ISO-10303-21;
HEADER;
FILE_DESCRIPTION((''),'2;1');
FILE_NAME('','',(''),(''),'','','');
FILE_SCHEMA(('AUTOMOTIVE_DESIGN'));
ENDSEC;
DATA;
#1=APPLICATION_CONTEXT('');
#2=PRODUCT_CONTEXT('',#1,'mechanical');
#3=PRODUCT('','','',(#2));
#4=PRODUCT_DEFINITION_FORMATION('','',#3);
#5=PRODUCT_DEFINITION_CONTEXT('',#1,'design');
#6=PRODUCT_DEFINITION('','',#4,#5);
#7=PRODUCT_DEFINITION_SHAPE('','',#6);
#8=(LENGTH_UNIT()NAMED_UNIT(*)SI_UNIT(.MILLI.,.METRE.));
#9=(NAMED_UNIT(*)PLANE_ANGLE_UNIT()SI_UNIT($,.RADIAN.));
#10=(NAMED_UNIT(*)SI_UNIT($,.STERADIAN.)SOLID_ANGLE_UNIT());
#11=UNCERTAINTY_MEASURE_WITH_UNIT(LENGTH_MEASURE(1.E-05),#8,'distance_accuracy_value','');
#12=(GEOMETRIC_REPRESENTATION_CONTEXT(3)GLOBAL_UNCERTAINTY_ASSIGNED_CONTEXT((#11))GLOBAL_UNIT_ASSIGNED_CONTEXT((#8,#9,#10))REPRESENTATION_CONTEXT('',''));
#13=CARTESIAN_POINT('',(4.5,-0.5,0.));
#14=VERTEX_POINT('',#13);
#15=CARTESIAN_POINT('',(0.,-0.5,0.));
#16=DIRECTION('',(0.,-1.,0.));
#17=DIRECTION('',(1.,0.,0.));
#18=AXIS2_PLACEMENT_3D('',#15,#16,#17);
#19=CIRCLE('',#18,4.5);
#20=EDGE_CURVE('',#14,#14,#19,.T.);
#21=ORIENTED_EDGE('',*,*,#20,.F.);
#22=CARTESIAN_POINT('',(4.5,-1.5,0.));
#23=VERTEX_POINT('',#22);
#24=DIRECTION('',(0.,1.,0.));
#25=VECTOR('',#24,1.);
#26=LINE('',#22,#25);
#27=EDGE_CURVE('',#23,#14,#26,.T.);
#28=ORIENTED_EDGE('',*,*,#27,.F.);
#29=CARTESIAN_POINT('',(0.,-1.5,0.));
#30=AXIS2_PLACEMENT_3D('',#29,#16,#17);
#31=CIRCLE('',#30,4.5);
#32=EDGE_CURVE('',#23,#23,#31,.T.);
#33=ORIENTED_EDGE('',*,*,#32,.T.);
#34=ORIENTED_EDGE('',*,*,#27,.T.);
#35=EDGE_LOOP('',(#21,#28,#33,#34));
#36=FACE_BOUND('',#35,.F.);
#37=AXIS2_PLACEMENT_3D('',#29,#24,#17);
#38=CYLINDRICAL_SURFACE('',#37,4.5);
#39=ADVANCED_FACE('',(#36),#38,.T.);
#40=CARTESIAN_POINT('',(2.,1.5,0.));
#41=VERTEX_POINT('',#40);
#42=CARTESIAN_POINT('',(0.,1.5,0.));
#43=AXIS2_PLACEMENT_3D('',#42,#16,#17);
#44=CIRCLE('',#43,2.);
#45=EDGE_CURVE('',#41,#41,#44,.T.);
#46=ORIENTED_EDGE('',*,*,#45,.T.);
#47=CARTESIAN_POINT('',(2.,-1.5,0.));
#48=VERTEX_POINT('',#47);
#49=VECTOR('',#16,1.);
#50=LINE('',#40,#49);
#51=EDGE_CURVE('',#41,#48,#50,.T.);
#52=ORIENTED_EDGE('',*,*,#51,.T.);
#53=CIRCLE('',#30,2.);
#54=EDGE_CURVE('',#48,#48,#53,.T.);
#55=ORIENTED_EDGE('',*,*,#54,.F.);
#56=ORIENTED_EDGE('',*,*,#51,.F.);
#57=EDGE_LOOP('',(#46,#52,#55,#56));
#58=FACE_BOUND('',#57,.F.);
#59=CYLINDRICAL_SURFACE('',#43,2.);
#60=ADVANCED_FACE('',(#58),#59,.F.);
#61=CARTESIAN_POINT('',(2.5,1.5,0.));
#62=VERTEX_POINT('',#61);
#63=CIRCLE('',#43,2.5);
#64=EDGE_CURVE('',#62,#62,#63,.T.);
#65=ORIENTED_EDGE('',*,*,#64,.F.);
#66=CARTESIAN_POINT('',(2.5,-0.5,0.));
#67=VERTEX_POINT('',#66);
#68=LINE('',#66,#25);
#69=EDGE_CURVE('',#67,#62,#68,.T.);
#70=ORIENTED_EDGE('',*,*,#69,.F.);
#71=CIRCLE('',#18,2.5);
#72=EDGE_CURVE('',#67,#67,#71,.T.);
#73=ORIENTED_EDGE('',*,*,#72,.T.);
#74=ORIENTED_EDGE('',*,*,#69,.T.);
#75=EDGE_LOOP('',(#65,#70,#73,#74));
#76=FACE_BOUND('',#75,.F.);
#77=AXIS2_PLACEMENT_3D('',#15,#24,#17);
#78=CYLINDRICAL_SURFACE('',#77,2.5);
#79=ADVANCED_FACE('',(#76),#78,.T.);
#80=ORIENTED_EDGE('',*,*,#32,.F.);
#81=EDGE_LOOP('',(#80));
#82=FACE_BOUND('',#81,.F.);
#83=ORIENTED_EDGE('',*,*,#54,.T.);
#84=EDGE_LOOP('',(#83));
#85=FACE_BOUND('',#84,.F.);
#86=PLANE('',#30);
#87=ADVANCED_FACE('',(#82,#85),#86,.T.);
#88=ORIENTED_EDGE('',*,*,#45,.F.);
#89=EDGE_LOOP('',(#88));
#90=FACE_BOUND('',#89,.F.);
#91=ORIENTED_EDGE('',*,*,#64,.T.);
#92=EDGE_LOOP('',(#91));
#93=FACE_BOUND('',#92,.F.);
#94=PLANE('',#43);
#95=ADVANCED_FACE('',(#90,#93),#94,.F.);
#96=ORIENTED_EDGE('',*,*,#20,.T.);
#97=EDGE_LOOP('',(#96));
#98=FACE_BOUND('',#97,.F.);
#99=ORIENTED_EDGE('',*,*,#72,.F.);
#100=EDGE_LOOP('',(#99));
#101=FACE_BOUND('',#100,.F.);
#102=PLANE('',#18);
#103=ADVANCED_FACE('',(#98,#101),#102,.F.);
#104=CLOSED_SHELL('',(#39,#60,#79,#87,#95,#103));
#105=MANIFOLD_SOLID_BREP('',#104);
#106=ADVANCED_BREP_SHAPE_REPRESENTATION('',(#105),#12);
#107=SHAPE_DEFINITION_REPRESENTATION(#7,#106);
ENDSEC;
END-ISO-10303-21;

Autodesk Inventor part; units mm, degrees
ref_plane "YZ Plane" through (0, 0, 0) normal (1, 0, 0) x (0, 1, 0)
ref_plane "XZ Plane" through (0, 0, 0) normal (0, 1, 0) x (-1, 0, 0)
ref_plane "XY Plane" through (0, 0, 0) normal (0, 0, 1) x (1, 0, 0)
sketch "スケッチ1" plane through (0, 0, 0) normal (0, 0, 1) x (1, 0, 0)
  line L0 (2, 1.5) -> (2, -1.5)
  line L1 (2, -1.5) -> (4.5, -1.5)
  line L2 (4.5, -1.5) -> (4.5, -0.5)
  line L3 (4.5, -0.5) -> (2.5, -0.5)
  line L4 (2.5, -0.5) -> (2.5, 1.5)
  line L5 (2.5, 1.5) -> (2, 1.5)
  line L6 (0, 1.5) -> (0, -1.5) construction
  point P0 (0, 0)
  point P1 (0, 0)
  point P2 (2, 0)
  dimension "d0" = 4
  dimension "d1" = 5
  dimension "d2" = 1
  dimension "d3" = 2
  dimension "d4" = 9
revolve "回転1" add sketch "スケッチ1" angle 360 about axis through (0, 1.5, 0) along (0, -1, 0)
properties part number "D4050-9120B" material "アセタール樹脂、黒"
